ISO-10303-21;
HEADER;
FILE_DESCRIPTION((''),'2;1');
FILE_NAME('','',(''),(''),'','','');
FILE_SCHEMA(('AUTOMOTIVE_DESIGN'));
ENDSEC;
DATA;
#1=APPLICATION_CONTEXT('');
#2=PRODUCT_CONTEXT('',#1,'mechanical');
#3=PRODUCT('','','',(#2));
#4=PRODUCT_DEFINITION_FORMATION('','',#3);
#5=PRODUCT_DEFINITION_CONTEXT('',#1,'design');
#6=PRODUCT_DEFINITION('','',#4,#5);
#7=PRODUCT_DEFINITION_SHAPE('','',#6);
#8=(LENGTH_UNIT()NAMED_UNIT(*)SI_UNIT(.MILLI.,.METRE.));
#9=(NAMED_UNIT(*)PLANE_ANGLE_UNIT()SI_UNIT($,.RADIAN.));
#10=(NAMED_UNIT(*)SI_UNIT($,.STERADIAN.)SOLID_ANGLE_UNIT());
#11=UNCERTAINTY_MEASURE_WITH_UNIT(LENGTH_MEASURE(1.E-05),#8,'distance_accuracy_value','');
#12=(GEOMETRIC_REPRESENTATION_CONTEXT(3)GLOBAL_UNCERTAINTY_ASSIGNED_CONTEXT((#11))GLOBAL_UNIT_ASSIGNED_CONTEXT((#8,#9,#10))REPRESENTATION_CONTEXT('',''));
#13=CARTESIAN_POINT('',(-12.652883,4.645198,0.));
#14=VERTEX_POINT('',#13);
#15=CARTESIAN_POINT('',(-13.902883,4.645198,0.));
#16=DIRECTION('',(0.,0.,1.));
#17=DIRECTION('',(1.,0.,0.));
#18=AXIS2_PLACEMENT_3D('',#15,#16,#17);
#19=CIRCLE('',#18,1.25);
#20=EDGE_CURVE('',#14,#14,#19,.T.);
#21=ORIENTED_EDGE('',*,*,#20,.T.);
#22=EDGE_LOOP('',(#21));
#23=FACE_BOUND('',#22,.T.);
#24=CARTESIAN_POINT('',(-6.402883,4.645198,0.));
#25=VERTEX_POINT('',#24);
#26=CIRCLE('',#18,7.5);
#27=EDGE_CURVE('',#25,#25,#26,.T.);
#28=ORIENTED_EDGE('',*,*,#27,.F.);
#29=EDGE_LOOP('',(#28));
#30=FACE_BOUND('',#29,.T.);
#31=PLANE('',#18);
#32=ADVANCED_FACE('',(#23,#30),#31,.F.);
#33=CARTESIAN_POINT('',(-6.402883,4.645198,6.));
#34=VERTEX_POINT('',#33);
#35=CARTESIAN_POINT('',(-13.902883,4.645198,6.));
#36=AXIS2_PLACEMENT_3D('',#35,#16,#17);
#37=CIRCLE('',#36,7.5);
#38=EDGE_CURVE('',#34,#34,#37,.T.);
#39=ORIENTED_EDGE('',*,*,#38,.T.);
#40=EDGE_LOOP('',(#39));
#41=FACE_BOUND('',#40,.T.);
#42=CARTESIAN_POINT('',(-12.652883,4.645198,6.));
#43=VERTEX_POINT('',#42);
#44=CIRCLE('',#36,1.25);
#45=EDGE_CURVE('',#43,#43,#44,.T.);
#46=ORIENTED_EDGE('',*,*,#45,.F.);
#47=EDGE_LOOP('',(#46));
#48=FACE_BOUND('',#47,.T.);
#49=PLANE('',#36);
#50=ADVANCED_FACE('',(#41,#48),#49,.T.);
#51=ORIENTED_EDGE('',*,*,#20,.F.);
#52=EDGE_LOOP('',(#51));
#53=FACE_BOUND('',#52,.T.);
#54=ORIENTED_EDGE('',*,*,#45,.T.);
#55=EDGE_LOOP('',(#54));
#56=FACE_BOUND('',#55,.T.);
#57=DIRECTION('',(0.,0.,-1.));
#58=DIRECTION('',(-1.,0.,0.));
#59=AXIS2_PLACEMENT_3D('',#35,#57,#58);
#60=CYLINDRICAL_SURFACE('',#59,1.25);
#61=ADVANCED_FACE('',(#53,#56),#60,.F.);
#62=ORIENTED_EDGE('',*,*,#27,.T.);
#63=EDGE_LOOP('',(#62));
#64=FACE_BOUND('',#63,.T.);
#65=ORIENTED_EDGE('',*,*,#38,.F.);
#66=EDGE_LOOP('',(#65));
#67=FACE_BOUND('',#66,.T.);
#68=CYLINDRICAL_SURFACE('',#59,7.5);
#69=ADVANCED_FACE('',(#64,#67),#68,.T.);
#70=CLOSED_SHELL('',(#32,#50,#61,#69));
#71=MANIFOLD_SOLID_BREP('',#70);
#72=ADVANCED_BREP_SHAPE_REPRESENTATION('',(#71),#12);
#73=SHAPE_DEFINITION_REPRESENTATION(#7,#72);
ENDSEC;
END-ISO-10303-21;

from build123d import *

# Parameters (mm, degrees)
SKETCH_1_R      = 7.5
SKETCH_1_R_2    = 1.25
EXTRUDE_1_DEPTH = 6


with BuildPart() as part:
    # 草圖1 → 填料-伸長1 (new body)
    with BuildSketch(Plane.XY):
        with Locations((-13.902883306, 4.645198473)):
            Circle(SKETCH_1_R)
        with Locations((-13.902883306, 4.645198473)):
            Circle(SKETCH_1_R_2, mode=Mode.SUBTRACT)
    extrude(amount=EXTRUDE_1_DEPTH)


solid = part.part
